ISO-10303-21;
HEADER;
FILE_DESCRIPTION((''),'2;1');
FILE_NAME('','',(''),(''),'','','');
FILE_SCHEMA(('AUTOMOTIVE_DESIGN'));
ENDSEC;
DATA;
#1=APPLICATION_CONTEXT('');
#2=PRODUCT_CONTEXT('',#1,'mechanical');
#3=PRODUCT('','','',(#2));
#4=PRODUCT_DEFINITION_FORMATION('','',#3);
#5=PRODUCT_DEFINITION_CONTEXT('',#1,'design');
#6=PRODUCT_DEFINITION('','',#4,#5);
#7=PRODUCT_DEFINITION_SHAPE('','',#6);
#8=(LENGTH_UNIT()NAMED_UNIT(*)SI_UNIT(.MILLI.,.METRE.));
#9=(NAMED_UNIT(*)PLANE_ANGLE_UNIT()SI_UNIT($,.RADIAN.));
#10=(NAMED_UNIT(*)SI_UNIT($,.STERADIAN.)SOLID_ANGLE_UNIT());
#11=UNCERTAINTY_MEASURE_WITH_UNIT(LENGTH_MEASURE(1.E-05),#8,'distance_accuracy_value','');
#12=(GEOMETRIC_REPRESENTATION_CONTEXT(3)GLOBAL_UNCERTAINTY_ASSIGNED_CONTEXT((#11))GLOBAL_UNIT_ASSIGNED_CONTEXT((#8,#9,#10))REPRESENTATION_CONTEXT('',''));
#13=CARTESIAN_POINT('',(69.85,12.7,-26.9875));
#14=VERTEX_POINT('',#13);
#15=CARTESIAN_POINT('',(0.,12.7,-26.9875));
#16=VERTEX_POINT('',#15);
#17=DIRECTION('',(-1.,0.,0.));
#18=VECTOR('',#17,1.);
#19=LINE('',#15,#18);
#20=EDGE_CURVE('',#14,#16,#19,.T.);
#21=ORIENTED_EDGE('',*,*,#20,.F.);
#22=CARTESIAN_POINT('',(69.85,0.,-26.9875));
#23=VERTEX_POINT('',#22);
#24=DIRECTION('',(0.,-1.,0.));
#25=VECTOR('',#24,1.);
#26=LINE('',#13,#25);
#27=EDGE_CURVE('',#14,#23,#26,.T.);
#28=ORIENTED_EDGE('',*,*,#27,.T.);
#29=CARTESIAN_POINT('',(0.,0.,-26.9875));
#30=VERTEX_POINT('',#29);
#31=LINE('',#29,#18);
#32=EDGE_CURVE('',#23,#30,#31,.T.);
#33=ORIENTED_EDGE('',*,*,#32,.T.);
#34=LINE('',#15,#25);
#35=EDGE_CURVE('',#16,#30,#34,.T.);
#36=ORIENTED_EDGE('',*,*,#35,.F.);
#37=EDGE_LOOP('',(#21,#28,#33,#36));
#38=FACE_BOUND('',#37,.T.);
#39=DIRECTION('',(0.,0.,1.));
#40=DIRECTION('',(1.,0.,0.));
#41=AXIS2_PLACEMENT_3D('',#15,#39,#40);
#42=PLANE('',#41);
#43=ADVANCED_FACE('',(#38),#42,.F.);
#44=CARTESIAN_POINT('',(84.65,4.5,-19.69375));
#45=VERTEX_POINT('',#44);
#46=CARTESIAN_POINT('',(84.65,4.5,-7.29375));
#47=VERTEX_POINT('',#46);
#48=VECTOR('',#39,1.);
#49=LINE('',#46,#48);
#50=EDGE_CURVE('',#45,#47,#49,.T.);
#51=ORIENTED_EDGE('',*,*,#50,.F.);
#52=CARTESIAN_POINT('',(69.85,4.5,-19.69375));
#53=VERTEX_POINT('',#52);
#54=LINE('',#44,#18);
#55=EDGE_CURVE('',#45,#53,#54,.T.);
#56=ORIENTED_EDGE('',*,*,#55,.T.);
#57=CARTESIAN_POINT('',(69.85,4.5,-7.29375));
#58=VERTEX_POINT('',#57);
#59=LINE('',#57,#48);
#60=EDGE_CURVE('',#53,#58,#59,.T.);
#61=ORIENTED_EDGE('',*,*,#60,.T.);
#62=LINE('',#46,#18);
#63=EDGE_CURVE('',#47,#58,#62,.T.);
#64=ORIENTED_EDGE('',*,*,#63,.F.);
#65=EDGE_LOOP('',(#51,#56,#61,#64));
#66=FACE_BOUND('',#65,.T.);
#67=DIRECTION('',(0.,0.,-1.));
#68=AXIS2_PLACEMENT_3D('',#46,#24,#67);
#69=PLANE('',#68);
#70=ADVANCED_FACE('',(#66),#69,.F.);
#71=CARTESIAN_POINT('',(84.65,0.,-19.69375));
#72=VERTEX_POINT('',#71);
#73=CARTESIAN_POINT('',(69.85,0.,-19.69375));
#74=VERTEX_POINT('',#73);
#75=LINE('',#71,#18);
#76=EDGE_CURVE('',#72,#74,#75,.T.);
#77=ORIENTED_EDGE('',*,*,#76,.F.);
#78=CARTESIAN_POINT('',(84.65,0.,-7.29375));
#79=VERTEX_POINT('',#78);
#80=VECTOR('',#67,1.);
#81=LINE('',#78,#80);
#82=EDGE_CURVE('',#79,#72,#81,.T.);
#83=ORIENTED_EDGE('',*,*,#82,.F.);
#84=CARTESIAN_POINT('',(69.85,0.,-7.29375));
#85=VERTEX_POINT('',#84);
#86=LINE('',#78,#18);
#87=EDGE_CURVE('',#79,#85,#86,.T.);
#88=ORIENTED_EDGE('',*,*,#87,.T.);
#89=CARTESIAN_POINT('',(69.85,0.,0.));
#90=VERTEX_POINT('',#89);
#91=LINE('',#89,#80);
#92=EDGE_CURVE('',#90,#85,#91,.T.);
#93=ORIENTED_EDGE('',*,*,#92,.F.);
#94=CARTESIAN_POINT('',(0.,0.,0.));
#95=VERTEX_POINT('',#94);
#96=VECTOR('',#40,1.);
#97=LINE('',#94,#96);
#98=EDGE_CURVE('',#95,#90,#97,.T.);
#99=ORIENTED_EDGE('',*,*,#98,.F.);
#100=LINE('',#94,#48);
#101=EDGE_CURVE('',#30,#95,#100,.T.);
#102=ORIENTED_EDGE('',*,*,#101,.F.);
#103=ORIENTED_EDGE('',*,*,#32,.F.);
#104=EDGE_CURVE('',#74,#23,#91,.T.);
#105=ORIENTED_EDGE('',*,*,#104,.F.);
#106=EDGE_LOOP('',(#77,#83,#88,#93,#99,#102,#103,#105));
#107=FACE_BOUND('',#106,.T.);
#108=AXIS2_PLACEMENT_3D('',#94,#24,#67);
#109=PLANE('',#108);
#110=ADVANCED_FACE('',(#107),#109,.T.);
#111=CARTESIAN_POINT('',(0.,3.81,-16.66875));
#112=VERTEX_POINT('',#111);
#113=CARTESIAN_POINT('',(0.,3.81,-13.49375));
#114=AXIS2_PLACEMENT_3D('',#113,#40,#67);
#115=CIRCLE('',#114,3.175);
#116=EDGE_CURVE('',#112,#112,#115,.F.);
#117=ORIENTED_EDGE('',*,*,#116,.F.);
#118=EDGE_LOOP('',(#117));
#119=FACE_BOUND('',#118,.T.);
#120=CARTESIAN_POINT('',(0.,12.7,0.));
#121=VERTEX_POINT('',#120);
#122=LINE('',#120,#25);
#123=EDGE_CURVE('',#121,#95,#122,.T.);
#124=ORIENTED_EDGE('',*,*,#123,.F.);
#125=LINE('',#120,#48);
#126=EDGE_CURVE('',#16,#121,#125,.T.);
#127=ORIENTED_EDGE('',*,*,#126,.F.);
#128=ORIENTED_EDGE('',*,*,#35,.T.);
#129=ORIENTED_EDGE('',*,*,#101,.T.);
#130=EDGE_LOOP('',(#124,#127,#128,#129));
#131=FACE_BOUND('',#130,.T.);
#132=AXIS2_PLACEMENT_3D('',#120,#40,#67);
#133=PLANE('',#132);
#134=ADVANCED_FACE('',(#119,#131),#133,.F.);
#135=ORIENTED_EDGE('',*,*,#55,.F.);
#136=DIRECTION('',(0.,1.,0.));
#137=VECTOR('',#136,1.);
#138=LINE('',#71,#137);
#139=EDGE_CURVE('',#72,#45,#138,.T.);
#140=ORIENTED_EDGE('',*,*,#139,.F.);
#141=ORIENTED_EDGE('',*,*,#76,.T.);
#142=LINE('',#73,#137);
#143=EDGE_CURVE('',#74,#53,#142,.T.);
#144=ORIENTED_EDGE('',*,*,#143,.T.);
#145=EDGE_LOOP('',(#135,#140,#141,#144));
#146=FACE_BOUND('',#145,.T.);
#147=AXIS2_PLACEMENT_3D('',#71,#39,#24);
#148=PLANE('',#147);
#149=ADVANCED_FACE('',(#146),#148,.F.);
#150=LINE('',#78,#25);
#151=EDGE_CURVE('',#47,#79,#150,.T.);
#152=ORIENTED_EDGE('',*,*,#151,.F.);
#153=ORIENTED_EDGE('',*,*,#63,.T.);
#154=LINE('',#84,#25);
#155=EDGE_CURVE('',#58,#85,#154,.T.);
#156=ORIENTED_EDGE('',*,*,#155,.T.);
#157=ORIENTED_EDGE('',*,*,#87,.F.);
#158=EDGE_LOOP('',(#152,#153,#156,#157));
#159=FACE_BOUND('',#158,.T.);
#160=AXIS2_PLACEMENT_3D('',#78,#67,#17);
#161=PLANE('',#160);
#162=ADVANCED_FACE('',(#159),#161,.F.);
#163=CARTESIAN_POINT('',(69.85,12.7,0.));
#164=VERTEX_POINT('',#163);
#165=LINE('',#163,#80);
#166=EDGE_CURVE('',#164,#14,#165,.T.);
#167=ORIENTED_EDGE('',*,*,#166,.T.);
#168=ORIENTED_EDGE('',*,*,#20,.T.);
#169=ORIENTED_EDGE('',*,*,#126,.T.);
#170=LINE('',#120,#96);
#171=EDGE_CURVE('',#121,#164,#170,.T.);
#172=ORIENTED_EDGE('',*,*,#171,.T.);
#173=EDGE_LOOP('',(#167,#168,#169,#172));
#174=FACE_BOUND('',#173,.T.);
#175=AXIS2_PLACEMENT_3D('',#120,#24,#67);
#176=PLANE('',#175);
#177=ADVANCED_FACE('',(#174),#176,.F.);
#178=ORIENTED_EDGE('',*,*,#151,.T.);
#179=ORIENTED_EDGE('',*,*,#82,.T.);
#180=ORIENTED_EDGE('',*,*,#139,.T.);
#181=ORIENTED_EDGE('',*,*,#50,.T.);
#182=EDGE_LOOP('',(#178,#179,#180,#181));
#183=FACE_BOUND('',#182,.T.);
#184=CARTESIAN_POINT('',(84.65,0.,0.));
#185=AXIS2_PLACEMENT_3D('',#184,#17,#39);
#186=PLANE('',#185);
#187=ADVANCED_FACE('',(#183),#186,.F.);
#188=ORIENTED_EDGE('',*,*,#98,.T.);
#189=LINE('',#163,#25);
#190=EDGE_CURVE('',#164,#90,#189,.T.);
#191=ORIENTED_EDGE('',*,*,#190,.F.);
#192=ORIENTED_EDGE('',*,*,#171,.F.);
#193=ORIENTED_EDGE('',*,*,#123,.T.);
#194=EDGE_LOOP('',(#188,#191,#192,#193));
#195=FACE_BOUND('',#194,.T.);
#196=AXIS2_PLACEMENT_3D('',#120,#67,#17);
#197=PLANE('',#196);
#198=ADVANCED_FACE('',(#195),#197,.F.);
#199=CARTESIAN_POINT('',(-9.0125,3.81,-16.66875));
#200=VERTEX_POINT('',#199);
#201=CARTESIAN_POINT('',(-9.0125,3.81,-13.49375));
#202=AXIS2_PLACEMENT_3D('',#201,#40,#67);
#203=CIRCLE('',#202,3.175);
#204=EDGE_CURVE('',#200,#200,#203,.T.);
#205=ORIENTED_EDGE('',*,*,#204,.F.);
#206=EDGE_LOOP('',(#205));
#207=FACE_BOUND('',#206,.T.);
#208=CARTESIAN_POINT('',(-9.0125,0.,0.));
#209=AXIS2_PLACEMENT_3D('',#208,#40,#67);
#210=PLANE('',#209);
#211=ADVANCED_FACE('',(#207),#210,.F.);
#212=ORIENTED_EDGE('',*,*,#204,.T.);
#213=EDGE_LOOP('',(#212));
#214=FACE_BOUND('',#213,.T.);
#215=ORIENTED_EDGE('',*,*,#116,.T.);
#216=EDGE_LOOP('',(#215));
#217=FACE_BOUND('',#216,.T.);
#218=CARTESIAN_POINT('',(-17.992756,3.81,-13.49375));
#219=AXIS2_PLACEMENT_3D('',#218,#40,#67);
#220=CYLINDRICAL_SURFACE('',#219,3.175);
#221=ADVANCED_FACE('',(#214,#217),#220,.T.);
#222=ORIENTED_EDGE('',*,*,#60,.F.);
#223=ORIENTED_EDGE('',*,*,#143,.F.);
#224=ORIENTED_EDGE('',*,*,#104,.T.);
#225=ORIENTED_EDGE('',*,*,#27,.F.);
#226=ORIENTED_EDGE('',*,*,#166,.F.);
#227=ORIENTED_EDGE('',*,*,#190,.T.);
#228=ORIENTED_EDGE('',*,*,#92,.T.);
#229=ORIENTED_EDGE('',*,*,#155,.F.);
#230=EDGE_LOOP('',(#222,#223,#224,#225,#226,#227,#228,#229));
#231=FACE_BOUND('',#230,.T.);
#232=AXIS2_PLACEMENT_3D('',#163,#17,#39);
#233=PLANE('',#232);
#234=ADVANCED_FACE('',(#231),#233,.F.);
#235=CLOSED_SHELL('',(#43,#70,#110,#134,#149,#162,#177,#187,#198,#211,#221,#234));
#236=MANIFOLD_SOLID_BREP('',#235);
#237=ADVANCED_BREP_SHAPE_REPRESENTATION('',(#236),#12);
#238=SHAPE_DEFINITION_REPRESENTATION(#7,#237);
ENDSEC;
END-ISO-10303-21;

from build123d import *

# Parameters (mm, degrees)
SKETCH1_W           = 69.85
SKETCH1_H           = 26.9875
BOSS_EXTRUDE1_DEPTH = 12.7
SKETCH2_W           = 12.4
SKETCH2_H           = 4.5
BOSS_EXTRUDE2_DEPTH = 14.8
SKETCH3_R           = 3.175
BOSS_EXTRUDE3_DEPTH = 9.0125


with BuildPart() as part:
    # Sketch1 → Boss-Extrude1 (new body)
    with BuildSketch(Plane(origin=(0, 0, 0), x_dir=(1, 0, 0), z_dir=(0, 1, 0))):
        with Locations((34.925, 13.49375)):
            Rectangle(SKETCH1_W, SKETCH1_H)
    extrude(amount=BOSS_EXTRUDE1_DEPTH)

    # Sketch2 → Boss-Extrude2 (add)
    with BuildSketch(Plane(origin=(69.85, 0, 0), x_dir=(0, 0, -1), z_dir=(1, 0, 0))):
        with Locations((13.49375, 2.25)):
            Rectangle(SKETCH2_W, SKETCH2_H)
    extrude(amount=BOSS_EXTRUDE2_DEPTH)

    # Sketch3 → Boss-Extrude3 (add)
    with BuildSketch(Plane.ZY):
        with Locations((-13.49375, 3.81)):
            Circle(SKETCH3_R)
    extrude(amount=BOSS_EXTRUDE3_DEPTH)


solid = part.part
